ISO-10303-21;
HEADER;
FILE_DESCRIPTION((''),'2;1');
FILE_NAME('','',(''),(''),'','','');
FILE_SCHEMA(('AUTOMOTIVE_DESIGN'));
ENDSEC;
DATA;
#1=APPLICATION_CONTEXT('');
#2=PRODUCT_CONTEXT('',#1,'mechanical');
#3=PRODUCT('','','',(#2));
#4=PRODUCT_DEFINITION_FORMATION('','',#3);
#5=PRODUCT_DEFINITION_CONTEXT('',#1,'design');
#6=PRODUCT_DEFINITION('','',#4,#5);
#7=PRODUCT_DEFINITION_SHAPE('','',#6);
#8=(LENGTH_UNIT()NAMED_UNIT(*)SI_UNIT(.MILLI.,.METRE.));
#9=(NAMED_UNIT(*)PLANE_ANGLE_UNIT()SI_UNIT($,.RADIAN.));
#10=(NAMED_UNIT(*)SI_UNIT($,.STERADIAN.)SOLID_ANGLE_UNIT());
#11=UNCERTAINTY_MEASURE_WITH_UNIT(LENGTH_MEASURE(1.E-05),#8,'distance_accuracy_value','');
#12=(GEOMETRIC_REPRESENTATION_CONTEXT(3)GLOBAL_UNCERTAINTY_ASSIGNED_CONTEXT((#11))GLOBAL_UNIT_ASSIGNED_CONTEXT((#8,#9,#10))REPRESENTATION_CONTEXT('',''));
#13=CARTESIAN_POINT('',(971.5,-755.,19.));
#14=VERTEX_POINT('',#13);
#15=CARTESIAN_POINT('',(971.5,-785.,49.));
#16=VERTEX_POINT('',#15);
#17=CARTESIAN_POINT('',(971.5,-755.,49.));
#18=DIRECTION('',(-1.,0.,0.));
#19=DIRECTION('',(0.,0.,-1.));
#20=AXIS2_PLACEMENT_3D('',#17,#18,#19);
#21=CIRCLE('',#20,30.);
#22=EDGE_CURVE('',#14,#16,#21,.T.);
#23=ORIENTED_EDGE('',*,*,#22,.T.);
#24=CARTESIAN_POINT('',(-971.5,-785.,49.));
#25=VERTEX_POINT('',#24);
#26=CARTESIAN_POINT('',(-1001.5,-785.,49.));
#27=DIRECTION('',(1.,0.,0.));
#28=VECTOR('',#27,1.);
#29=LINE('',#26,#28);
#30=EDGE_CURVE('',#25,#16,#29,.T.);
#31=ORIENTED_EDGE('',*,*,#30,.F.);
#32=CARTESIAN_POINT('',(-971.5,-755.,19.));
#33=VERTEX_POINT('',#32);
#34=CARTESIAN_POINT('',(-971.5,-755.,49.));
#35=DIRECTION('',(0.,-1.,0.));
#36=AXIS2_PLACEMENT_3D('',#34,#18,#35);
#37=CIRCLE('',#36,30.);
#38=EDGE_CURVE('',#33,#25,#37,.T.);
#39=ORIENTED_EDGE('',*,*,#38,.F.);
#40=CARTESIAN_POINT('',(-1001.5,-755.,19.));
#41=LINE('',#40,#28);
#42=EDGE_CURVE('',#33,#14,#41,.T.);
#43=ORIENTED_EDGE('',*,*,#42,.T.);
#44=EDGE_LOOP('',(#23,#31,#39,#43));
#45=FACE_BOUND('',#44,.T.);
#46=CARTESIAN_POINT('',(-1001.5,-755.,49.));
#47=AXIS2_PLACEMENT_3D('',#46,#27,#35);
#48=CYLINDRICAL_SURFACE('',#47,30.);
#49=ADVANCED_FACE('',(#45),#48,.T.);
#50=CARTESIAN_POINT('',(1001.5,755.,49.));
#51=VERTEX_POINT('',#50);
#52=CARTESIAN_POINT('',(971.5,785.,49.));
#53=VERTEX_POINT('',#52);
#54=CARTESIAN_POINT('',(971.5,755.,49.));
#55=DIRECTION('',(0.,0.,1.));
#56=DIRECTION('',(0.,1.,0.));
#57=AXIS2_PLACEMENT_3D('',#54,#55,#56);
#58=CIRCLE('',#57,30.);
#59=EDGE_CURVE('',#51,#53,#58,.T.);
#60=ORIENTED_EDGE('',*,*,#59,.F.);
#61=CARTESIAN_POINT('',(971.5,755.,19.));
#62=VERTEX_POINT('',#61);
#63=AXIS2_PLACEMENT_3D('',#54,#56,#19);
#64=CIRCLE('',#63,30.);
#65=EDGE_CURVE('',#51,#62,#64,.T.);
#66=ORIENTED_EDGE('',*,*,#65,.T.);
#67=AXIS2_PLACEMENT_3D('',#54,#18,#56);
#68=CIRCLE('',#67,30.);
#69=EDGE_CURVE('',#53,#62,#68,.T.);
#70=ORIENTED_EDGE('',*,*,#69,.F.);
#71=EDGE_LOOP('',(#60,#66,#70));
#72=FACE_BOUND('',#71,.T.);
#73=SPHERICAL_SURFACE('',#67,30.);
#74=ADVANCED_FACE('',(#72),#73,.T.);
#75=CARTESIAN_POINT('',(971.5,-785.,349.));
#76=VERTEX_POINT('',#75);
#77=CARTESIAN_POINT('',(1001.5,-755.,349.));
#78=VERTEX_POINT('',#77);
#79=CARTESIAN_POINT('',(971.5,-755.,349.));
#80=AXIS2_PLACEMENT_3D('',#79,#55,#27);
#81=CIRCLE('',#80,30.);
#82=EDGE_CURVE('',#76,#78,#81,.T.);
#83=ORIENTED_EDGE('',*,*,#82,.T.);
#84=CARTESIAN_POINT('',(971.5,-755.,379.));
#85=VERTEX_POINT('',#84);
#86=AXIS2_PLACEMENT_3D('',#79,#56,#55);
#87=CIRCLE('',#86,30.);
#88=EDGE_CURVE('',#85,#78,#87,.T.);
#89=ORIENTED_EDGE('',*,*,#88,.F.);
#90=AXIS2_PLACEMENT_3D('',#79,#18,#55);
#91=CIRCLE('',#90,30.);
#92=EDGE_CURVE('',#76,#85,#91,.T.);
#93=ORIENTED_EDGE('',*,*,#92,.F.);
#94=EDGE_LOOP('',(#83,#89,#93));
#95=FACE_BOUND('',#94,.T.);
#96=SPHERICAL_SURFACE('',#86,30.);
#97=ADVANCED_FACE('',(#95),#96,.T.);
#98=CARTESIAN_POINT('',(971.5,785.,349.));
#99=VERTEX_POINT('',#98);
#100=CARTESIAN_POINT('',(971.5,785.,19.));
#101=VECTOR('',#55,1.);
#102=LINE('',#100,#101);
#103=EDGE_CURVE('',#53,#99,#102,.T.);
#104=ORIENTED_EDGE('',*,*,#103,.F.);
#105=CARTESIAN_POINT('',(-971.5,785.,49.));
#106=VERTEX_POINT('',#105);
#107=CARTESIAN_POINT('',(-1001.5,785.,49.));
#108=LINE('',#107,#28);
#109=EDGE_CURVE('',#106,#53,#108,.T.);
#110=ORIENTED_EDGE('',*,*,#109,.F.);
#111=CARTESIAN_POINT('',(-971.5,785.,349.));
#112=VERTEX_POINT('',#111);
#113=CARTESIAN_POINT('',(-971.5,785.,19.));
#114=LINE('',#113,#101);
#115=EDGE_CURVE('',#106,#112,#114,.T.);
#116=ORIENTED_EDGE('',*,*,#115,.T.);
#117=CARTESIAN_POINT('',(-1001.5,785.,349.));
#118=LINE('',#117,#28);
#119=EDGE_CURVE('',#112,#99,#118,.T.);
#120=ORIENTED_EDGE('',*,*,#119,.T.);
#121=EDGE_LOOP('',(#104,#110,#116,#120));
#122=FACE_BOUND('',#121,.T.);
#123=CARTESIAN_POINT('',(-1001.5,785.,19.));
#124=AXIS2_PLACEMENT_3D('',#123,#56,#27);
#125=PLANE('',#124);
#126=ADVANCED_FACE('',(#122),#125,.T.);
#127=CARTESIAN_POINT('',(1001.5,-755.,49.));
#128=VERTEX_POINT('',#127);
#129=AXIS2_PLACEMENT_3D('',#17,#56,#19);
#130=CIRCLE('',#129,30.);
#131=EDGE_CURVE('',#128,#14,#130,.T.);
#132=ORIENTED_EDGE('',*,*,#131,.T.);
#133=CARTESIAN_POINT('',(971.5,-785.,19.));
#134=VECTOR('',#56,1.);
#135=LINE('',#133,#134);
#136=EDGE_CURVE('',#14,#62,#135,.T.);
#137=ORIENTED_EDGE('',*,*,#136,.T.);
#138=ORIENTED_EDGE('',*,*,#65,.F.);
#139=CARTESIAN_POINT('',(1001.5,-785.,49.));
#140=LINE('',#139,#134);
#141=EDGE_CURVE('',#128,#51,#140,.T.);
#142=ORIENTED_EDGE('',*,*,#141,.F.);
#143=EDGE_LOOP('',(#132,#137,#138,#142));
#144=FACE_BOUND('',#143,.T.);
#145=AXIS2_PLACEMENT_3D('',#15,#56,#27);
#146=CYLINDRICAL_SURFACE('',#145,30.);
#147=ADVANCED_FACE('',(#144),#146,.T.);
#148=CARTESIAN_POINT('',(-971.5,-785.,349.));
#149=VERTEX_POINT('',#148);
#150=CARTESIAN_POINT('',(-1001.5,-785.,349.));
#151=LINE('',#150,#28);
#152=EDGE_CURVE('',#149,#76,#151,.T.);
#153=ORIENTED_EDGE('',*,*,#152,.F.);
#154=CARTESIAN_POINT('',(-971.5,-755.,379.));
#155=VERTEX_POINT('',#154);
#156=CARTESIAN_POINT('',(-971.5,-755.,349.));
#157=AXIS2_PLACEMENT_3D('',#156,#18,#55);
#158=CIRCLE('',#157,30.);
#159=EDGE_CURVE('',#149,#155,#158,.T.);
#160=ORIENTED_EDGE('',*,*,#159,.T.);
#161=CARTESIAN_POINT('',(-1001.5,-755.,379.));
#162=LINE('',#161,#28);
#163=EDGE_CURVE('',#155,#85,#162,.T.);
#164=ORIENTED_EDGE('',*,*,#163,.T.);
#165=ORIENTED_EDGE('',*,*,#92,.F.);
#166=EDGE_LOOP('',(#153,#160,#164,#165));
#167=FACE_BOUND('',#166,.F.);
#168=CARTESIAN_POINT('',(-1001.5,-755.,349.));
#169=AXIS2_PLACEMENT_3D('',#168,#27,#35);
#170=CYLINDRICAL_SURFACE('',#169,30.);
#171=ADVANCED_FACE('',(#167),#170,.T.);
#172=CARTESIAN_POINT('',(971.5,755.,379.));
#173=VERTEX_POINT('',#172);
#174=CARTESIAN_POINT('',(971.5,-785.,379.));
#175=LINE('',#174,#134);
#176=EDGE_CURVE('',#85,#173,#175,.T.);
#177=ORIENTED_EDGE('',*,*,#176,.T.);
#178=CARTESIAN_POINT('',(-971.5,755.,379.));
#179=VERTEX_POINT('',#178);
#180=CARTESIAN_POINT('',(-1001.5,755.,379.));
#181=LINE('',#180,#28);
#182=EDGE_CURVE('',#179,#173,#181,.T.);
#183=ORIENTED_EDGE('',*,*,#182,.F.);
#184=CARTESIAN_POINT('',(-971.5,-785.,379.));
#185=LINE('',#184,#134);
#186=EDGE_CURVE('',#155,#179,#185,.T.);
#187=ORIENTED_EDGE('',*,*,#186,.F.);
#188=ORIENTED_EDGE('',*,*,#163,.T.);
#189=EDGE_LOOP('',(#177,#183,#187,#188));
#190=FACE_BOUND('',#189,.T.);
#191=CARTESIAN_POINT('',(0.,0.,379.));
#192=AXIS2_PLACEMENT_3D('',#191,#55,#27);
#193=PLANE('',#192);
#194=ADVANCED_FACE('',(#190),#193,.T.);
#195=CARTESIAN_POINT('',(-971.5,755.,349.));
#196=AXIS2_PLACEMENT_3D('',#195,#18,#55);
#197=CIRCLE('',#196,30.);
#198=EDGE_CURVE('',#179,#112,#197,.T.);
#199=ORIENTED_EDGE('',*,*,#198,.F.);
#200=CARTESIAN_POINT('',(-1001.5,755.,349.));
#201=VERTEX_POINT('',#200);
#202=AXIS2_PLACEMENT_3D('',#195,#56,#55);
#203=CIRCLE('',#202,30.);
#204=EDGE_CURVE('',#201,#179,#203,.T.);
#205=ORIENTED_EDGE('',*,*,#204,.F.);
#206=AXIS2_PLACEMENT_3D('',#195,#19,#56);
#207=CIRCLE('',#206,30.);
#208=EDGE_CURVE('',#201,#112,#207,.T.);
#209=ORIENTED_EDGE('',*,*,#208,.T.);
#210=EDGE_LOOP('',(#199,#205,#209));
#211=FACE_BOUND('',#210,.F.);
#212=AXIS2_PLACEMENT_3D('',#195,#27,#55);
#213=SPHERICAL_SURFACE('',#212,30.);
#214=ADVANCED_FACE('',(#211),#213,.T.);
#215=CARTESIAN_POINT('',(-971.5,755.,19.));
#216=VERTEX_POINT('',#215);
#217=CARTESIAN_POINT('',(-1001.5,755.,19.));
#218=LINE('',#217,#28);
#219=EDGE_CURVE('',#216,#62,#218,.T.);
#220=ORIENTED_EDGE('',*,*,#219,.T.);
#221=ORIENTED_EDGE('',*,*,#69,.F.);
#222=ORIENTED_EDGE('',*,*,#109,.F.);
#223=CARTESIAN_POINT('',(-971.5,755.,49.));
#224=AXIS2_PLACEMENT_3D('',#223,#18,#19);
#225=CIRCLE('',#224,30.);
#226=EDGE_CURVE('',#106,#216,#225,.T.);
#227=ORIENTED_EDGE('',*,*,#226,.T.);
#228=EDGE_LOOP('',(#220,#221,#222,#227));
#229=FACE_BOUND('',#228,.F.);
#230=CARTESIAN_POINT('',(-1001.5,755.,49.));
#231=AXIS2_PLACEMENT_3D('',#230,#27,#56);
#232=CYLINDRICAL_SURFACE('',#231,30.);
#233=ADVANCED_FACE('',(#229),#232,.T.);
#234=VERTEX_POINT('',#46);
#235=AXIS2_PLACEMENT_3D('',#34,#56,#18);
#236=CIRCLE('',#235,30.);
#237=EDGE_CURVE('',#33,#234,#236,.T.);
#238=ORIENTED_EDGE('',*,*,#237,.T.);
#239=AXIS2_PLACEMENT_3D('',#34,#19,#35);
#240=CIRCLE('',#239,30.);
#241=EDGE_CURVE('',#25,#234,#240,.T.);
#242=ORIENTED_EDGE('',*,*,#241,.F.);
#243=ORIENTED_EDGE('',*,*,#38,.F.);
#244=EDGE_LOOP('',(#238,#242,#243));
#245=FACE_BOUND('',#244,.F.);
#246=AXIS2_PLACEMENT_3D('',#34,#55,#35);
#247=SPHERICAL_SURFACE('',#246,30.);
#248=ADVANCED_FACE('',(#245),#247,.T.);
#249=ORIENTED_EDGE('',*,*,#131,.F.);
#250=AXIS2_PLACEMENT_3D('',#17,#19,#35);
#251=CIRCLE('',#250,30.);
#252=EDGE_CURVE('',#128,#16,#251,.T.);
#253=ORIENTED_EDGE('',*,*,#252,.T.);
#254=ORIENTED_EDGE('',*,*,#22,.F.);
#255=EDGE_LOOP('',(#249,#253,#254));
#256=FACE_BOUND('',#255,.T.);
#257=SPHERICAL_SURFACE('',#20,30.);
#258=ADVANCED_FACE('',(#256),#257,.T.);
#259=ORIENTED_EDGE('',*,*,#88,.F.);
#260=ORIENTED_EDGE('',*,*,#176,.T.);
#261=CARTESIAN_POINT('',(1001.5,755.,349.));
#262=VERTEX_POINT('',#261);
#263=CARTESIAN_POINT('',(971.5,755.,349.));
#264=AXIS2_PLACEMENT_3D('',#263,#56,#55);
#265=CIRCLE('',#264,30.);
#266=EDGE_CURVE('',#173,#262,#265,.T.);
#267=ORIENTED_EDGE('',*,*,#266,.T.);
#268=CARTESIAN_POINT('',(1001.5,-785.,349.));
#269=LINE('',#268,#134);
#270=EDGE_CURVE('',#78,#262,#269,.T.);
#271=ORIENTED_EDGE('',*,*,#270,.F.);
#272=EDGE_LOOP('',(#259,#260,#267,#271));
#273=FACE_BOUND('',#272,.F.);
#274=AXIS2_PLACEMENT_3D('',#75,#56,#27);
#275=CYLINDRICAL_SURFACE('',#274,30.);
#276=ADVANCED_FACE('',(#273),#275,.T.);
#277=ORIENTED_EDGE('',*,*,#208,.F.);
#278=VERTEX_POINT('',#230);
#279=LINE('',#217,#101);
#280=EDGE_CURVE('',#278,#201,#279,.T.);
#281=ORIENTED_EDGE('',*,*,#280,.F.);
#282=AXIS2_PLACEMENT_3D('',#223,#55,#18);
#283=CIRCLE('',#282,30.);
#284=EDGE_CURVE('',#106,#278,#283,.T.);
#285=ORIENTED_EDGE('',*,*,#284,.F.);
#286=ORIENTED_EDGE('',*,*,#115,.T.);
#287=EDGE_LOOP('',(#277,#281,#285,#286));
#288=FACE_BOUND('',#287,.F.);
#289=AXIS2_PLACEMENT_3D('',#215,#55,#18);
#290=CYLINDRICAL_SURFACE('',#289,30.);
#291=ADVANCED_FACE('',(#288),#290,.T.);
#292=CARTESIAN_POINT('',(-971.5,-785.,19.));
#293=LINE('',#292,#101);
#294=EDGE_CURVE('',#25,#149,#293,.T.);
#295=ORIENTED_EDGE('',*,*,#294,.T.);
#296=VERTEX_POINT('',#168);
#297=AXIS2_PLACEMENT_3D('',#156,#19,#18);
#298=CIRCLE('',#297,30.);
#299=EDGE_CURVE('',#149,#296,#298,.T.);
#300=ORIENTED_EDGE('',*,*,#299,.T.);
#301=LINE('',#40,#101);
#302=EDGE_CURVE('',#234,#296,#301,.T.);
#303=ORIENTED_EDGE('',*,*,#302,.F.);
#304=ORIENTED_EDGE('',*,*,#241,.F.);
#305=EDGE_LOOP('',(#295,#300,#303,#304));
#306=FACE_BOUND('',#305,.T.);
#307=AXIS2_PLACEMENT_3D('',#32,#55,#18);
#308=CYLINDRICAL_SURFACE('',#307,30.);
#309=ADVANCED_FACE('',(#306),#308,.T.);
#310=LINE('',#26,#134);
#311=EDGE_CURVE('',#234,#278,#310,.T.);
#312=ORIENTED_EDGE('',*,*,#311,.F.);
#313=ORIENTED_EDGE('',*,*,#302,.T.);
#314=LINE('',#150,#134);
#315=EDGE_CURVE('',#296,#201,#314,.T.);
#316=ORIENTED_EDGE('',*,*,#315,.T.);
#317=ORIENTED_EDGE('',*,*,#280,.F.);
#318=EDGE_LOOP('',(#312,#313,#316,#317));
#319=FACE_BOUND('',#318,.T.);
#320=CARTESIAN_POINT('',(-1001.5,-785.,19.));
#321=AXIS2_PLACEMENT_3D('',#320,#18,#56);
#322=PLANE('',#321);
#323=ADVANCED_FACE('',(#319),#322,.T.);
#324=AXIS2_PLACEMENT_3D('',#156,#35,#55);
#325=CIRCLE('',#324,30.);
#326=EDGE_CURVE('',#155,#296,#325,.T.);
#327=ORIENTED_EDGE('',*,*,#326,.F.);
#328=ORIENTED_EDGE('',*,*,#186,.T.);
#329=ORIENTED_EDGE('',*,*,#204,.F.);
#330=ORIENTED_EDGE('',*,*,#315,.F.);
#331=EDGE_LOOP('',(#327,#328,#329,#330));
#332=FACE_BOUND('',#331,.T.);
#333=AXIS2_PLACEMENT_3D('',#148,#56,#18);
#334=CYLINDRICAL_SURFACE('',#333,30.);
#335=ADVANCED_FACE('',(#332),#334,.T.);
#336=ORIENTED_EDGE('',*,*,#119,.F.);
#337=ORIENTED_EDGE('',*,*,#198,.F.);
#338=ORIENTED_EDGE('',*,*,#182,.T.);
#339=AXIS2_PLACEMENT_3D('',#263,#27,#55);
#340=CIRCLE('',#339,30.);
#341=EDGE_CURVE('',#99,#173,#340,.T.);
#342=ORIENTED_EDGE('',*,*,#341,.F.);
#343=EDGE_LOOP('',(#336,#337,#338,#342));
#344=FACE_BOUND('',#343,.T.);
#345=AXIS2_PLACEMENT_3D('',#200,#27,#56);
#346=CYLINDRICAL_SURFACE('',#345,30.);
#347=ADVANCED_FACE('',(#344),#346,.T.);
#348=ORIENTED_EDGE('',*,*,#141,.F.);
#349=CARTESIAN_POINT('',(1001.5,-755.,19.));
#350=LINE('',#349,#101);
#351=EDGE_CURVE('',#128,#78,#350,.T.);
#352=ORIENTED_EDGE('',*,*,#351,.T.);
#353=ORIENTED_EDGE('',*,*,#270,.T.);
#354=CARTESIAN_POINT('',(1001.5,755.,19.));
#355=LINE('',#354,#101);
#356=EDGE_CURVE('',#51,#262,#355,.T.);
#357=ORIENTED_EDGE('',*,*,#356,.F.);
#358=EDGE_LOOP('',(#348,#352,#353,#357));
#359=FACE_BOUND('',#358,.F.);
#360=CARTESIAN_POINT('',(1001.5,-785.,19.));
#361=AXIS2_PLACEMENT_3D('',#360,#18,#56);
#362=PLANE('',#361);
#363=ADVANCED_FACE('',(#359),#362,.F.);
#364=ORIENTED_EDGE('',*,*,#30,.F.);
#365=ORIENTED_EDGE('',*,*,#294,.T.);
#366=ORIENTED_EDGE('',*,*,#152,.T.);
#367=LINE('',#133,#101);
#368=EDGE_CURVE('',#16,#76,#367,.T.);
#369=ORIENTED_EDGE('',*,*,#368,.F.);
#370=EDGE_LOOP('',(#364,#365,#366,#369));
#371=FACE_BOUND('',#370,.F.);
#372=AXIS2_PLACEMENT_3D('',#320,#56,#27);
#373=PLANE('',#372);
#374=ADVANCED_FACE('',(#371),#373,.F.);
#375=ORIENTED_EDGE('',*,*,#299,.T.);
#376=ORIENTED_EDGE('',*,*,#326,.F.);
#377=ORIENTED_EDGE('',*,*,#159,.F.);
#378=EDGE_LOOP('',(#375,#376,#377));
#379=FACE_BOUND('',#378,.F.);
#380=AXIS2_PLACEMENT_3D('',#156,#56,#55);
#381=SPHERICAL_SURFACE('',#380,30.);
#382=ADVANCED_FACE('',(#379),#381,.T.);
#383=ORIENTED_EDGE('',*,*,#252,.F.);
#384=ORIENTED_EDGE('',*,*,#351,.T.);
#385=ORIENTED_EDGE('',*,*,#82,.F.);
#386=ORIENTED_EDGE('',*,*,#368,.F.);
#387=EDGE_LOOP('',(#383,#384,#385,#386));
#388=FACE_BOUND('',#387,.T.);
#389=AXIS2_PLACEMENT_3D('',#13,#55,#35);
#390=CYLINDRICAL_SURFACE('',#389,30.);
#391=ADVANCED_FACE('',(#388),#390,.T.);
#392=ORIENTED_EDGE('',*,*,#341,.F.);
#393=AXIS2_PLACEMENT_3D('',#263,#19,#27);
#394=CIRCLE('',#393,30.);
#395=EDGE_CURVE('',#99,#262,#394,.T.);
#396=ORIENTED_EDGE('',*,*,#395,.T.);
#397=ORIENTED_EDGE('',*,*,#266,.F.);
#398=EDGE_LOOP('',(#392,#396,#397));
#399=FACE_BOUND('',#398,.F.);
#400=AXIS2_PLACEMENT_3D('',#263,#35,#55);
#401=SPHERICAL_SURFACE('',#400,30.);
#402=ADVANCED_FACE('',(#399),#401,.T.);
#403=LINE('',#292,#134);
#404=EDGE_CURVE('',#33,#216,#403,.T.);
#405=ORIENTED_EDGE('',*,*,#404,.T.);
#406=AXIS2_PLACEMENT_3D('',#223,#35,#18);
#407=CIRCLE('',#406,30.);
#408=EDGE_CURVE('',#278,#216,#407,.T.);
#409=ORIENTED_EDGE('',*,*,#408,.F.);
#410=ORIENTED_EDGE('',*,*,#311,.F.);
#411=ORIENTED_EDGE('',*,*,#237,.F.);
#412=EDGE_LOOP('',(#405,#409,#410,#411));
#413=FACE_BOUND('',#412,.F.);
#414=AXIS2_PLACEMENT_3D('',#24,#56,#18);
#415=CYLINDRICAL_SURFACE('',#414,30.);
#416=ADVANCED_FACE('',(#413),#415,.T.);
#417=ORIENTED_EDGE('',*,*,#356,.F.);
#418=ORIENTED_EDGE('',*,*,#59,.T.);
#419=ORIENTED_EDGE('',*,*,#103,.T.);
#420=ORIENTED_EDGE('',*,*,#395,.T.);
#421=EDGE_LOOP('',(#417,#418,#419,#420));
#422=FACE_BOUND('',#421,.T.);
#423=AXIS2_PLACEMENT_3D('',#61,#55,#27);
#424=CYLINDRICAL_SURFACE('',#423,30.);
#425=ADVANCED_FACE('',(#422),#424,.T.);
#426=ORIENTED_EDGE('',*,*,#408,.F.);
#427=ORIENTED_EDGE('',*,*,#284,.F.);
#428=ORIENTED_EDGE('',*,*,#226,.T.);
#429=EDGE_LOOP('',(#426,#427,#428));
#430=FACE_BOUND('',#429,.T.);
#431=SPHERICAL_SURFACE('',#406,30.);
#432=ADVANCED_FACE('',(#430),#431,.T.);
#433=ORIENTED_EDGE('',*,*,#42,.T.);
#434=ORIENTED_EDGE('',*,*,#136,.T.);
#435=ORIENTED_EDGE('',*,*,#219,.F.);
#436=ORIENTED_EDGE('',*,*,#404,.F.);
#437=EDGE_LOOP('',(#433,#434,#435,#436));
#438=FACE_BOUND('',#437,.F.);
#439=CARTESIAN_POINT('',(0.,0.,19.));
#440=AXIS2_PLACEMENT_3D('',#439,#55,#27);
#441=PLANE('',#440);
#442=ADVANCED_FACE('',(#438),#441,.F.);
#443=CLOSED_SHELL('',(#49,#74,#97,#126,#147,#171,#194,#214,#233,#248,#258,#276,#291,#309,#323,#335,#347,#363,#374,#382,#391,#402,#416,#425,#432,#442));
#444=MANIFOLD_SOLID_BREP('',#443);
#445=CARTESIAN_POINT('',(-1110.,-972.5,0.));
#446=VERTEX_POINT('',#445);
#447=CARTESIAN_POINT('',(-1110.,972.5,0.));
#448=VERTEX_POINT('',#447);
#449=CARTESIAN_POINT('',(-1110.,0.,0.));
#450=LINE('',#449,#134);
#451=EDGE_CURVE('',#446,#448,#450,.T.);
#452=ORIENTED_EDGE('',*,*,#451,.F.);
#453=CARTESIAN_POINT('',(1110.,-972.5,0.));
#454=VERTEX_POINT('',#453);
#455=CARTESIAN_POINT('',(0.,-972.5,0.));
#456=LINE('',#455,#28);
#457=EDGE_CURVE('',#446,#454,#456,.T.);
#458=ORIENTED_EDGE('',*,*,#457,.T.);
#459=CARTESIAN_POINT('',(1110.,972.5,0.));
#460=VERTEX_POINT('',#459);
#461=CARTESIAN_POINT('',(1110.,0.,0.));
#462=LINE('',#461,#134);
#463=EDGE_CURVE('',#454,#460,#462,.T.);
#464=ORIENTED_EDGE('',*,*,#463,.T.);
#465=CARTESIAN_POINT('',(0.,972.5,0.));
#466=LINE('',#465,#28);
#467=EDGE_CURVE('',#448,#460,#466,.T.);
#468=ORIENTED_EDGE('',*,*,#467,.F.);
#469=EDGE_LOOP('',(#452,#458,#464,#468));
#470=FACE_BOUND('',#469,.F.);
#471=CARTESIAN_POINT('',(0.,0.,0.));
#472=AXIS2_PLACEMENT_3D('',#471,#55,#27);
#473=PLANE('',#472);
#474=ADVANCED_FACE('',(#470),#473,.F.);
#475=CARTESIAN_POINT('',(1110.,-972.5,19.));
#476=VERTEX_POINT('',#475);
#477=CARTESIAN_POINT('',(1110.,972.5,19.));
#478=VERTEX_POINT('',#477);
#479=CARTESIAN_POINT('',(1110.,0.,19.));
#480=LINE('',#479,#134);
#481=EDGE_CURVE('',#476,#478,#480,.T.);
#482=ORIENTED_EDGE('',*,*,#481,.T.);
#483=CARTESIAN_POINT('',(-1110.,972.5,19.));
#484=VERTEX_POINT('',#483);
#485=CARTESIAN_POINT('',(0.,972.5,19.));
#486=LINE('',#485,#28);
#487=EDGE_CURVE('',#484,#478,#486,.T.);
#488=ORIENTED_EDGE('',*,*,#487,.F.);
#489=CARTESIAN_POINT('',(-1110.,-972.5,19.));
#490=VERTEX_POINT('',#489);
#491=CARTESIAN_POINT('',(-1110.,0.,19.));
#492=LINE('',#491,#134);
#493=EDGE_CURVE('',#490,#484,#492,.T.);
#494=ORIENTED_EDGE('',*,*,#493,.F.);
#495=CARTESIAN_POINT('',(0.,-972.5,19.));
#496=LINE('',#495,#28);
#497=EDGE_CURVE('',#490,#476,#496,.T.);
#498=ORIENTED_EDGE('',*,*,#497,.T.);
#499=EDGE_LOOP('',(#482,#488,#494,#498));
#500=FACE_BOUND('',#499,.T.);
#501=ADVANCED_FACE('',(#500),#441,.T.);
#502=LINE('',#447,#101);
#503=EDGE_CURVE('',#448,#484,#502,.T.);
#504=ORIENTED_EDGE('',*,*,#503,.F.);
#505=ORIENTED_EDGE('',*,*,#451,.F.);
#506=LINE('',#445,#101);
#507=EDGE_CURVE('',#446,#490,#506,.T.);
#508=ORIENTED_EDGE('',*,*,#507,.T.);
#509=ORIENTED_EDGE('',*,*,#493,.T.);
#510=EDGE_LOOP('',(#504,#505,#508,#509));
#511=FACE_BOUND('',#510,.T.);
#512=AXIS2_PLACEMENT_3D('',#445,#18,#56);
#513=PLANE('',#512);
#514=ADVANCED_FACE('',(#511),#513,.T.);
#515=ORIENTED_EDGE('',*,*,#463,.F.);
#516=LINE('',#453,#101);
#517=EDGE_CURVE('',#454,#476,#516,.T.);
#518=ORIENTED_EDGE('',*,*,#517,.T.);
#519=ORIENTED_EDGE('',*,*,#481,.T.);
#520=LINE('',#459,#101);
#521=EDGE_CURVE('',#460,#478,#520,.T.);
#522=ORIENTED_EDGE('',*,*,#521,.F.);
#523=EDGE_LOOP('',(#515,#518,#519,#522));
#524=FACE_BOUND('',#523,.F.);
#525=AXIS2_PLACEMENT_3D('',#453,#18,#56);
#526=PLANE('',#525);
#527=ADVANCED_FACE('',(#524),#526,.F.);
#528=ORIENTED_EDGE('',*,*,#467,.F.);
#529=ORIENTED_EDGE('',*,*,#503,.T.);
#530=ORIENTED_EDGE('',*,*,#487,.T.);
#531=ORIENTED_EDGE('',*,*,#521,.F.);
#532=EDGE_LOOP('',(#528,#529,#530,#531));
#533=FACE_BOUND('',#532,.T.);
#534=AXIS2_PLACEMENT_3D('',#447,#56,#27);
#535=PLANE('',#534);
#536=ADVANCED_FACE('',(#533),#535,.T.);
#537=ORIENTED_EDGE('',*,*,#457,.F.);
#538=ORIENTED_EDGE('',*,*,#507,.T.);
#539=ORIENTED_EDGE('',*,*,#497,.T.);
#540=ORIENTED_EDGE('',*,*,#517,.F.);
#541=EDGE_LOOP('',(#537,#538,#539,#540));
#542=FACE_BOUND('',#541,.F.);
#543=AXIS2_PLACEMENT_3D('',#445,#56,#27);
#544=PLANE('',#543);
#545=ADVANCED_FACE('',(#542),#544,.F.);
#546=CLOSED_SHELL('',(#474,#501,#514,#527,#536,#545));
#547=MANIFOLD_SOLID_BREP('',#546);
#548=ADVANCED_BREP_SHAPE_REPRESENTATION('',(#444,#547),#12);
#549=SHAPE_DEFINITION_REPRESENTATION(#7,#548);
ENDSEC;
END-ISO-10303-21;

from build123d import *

# Parameters (mm, degrees)
F0_W     = 2220
F0_H     = 1945
F1_DEPTH = 19
F2_W     = 2003
F2_H     = 1570
F3_DEPTH = 360
F4_R     = 30


with BuildPart() as f1:
    # F0 (on Top) → F1 (new body)
    with BuildSketch(Plane.XY):
        Rectangle(F0_W, F0_H)
    extrude(amount=F1_DEPTH)


with BuildPart() as f3:
    # F2 (on face) → F3 (new body)
    with BuildSketch(Plane.XY.offset(19)):
        Rectangle(F2_W, F2_H)
    extrude(amount=F3_DEPTH)

    # F4
    f4_edges = [f3.edges().sort_by_distance(p)[0] for p in [
        (1001.5, 0, 379),
        (0, 785, 379),
        (-1001.5, 0, 379),
        (0, -785, 379),
        (-1001.5, -785, 199),
        (0, -785, 19),
        (-1001.5, 0, 19),
        (-1001.5, 785, 199),
        (0, 785, 19),
        (1001.5, 785, 199),
        (1001.5, 0, 19),
        (1001.5, -785, 199),
    ]]
    fillet(f4_edges, radius=F4_R)


solid = Compound([f1.part, f3.part])
